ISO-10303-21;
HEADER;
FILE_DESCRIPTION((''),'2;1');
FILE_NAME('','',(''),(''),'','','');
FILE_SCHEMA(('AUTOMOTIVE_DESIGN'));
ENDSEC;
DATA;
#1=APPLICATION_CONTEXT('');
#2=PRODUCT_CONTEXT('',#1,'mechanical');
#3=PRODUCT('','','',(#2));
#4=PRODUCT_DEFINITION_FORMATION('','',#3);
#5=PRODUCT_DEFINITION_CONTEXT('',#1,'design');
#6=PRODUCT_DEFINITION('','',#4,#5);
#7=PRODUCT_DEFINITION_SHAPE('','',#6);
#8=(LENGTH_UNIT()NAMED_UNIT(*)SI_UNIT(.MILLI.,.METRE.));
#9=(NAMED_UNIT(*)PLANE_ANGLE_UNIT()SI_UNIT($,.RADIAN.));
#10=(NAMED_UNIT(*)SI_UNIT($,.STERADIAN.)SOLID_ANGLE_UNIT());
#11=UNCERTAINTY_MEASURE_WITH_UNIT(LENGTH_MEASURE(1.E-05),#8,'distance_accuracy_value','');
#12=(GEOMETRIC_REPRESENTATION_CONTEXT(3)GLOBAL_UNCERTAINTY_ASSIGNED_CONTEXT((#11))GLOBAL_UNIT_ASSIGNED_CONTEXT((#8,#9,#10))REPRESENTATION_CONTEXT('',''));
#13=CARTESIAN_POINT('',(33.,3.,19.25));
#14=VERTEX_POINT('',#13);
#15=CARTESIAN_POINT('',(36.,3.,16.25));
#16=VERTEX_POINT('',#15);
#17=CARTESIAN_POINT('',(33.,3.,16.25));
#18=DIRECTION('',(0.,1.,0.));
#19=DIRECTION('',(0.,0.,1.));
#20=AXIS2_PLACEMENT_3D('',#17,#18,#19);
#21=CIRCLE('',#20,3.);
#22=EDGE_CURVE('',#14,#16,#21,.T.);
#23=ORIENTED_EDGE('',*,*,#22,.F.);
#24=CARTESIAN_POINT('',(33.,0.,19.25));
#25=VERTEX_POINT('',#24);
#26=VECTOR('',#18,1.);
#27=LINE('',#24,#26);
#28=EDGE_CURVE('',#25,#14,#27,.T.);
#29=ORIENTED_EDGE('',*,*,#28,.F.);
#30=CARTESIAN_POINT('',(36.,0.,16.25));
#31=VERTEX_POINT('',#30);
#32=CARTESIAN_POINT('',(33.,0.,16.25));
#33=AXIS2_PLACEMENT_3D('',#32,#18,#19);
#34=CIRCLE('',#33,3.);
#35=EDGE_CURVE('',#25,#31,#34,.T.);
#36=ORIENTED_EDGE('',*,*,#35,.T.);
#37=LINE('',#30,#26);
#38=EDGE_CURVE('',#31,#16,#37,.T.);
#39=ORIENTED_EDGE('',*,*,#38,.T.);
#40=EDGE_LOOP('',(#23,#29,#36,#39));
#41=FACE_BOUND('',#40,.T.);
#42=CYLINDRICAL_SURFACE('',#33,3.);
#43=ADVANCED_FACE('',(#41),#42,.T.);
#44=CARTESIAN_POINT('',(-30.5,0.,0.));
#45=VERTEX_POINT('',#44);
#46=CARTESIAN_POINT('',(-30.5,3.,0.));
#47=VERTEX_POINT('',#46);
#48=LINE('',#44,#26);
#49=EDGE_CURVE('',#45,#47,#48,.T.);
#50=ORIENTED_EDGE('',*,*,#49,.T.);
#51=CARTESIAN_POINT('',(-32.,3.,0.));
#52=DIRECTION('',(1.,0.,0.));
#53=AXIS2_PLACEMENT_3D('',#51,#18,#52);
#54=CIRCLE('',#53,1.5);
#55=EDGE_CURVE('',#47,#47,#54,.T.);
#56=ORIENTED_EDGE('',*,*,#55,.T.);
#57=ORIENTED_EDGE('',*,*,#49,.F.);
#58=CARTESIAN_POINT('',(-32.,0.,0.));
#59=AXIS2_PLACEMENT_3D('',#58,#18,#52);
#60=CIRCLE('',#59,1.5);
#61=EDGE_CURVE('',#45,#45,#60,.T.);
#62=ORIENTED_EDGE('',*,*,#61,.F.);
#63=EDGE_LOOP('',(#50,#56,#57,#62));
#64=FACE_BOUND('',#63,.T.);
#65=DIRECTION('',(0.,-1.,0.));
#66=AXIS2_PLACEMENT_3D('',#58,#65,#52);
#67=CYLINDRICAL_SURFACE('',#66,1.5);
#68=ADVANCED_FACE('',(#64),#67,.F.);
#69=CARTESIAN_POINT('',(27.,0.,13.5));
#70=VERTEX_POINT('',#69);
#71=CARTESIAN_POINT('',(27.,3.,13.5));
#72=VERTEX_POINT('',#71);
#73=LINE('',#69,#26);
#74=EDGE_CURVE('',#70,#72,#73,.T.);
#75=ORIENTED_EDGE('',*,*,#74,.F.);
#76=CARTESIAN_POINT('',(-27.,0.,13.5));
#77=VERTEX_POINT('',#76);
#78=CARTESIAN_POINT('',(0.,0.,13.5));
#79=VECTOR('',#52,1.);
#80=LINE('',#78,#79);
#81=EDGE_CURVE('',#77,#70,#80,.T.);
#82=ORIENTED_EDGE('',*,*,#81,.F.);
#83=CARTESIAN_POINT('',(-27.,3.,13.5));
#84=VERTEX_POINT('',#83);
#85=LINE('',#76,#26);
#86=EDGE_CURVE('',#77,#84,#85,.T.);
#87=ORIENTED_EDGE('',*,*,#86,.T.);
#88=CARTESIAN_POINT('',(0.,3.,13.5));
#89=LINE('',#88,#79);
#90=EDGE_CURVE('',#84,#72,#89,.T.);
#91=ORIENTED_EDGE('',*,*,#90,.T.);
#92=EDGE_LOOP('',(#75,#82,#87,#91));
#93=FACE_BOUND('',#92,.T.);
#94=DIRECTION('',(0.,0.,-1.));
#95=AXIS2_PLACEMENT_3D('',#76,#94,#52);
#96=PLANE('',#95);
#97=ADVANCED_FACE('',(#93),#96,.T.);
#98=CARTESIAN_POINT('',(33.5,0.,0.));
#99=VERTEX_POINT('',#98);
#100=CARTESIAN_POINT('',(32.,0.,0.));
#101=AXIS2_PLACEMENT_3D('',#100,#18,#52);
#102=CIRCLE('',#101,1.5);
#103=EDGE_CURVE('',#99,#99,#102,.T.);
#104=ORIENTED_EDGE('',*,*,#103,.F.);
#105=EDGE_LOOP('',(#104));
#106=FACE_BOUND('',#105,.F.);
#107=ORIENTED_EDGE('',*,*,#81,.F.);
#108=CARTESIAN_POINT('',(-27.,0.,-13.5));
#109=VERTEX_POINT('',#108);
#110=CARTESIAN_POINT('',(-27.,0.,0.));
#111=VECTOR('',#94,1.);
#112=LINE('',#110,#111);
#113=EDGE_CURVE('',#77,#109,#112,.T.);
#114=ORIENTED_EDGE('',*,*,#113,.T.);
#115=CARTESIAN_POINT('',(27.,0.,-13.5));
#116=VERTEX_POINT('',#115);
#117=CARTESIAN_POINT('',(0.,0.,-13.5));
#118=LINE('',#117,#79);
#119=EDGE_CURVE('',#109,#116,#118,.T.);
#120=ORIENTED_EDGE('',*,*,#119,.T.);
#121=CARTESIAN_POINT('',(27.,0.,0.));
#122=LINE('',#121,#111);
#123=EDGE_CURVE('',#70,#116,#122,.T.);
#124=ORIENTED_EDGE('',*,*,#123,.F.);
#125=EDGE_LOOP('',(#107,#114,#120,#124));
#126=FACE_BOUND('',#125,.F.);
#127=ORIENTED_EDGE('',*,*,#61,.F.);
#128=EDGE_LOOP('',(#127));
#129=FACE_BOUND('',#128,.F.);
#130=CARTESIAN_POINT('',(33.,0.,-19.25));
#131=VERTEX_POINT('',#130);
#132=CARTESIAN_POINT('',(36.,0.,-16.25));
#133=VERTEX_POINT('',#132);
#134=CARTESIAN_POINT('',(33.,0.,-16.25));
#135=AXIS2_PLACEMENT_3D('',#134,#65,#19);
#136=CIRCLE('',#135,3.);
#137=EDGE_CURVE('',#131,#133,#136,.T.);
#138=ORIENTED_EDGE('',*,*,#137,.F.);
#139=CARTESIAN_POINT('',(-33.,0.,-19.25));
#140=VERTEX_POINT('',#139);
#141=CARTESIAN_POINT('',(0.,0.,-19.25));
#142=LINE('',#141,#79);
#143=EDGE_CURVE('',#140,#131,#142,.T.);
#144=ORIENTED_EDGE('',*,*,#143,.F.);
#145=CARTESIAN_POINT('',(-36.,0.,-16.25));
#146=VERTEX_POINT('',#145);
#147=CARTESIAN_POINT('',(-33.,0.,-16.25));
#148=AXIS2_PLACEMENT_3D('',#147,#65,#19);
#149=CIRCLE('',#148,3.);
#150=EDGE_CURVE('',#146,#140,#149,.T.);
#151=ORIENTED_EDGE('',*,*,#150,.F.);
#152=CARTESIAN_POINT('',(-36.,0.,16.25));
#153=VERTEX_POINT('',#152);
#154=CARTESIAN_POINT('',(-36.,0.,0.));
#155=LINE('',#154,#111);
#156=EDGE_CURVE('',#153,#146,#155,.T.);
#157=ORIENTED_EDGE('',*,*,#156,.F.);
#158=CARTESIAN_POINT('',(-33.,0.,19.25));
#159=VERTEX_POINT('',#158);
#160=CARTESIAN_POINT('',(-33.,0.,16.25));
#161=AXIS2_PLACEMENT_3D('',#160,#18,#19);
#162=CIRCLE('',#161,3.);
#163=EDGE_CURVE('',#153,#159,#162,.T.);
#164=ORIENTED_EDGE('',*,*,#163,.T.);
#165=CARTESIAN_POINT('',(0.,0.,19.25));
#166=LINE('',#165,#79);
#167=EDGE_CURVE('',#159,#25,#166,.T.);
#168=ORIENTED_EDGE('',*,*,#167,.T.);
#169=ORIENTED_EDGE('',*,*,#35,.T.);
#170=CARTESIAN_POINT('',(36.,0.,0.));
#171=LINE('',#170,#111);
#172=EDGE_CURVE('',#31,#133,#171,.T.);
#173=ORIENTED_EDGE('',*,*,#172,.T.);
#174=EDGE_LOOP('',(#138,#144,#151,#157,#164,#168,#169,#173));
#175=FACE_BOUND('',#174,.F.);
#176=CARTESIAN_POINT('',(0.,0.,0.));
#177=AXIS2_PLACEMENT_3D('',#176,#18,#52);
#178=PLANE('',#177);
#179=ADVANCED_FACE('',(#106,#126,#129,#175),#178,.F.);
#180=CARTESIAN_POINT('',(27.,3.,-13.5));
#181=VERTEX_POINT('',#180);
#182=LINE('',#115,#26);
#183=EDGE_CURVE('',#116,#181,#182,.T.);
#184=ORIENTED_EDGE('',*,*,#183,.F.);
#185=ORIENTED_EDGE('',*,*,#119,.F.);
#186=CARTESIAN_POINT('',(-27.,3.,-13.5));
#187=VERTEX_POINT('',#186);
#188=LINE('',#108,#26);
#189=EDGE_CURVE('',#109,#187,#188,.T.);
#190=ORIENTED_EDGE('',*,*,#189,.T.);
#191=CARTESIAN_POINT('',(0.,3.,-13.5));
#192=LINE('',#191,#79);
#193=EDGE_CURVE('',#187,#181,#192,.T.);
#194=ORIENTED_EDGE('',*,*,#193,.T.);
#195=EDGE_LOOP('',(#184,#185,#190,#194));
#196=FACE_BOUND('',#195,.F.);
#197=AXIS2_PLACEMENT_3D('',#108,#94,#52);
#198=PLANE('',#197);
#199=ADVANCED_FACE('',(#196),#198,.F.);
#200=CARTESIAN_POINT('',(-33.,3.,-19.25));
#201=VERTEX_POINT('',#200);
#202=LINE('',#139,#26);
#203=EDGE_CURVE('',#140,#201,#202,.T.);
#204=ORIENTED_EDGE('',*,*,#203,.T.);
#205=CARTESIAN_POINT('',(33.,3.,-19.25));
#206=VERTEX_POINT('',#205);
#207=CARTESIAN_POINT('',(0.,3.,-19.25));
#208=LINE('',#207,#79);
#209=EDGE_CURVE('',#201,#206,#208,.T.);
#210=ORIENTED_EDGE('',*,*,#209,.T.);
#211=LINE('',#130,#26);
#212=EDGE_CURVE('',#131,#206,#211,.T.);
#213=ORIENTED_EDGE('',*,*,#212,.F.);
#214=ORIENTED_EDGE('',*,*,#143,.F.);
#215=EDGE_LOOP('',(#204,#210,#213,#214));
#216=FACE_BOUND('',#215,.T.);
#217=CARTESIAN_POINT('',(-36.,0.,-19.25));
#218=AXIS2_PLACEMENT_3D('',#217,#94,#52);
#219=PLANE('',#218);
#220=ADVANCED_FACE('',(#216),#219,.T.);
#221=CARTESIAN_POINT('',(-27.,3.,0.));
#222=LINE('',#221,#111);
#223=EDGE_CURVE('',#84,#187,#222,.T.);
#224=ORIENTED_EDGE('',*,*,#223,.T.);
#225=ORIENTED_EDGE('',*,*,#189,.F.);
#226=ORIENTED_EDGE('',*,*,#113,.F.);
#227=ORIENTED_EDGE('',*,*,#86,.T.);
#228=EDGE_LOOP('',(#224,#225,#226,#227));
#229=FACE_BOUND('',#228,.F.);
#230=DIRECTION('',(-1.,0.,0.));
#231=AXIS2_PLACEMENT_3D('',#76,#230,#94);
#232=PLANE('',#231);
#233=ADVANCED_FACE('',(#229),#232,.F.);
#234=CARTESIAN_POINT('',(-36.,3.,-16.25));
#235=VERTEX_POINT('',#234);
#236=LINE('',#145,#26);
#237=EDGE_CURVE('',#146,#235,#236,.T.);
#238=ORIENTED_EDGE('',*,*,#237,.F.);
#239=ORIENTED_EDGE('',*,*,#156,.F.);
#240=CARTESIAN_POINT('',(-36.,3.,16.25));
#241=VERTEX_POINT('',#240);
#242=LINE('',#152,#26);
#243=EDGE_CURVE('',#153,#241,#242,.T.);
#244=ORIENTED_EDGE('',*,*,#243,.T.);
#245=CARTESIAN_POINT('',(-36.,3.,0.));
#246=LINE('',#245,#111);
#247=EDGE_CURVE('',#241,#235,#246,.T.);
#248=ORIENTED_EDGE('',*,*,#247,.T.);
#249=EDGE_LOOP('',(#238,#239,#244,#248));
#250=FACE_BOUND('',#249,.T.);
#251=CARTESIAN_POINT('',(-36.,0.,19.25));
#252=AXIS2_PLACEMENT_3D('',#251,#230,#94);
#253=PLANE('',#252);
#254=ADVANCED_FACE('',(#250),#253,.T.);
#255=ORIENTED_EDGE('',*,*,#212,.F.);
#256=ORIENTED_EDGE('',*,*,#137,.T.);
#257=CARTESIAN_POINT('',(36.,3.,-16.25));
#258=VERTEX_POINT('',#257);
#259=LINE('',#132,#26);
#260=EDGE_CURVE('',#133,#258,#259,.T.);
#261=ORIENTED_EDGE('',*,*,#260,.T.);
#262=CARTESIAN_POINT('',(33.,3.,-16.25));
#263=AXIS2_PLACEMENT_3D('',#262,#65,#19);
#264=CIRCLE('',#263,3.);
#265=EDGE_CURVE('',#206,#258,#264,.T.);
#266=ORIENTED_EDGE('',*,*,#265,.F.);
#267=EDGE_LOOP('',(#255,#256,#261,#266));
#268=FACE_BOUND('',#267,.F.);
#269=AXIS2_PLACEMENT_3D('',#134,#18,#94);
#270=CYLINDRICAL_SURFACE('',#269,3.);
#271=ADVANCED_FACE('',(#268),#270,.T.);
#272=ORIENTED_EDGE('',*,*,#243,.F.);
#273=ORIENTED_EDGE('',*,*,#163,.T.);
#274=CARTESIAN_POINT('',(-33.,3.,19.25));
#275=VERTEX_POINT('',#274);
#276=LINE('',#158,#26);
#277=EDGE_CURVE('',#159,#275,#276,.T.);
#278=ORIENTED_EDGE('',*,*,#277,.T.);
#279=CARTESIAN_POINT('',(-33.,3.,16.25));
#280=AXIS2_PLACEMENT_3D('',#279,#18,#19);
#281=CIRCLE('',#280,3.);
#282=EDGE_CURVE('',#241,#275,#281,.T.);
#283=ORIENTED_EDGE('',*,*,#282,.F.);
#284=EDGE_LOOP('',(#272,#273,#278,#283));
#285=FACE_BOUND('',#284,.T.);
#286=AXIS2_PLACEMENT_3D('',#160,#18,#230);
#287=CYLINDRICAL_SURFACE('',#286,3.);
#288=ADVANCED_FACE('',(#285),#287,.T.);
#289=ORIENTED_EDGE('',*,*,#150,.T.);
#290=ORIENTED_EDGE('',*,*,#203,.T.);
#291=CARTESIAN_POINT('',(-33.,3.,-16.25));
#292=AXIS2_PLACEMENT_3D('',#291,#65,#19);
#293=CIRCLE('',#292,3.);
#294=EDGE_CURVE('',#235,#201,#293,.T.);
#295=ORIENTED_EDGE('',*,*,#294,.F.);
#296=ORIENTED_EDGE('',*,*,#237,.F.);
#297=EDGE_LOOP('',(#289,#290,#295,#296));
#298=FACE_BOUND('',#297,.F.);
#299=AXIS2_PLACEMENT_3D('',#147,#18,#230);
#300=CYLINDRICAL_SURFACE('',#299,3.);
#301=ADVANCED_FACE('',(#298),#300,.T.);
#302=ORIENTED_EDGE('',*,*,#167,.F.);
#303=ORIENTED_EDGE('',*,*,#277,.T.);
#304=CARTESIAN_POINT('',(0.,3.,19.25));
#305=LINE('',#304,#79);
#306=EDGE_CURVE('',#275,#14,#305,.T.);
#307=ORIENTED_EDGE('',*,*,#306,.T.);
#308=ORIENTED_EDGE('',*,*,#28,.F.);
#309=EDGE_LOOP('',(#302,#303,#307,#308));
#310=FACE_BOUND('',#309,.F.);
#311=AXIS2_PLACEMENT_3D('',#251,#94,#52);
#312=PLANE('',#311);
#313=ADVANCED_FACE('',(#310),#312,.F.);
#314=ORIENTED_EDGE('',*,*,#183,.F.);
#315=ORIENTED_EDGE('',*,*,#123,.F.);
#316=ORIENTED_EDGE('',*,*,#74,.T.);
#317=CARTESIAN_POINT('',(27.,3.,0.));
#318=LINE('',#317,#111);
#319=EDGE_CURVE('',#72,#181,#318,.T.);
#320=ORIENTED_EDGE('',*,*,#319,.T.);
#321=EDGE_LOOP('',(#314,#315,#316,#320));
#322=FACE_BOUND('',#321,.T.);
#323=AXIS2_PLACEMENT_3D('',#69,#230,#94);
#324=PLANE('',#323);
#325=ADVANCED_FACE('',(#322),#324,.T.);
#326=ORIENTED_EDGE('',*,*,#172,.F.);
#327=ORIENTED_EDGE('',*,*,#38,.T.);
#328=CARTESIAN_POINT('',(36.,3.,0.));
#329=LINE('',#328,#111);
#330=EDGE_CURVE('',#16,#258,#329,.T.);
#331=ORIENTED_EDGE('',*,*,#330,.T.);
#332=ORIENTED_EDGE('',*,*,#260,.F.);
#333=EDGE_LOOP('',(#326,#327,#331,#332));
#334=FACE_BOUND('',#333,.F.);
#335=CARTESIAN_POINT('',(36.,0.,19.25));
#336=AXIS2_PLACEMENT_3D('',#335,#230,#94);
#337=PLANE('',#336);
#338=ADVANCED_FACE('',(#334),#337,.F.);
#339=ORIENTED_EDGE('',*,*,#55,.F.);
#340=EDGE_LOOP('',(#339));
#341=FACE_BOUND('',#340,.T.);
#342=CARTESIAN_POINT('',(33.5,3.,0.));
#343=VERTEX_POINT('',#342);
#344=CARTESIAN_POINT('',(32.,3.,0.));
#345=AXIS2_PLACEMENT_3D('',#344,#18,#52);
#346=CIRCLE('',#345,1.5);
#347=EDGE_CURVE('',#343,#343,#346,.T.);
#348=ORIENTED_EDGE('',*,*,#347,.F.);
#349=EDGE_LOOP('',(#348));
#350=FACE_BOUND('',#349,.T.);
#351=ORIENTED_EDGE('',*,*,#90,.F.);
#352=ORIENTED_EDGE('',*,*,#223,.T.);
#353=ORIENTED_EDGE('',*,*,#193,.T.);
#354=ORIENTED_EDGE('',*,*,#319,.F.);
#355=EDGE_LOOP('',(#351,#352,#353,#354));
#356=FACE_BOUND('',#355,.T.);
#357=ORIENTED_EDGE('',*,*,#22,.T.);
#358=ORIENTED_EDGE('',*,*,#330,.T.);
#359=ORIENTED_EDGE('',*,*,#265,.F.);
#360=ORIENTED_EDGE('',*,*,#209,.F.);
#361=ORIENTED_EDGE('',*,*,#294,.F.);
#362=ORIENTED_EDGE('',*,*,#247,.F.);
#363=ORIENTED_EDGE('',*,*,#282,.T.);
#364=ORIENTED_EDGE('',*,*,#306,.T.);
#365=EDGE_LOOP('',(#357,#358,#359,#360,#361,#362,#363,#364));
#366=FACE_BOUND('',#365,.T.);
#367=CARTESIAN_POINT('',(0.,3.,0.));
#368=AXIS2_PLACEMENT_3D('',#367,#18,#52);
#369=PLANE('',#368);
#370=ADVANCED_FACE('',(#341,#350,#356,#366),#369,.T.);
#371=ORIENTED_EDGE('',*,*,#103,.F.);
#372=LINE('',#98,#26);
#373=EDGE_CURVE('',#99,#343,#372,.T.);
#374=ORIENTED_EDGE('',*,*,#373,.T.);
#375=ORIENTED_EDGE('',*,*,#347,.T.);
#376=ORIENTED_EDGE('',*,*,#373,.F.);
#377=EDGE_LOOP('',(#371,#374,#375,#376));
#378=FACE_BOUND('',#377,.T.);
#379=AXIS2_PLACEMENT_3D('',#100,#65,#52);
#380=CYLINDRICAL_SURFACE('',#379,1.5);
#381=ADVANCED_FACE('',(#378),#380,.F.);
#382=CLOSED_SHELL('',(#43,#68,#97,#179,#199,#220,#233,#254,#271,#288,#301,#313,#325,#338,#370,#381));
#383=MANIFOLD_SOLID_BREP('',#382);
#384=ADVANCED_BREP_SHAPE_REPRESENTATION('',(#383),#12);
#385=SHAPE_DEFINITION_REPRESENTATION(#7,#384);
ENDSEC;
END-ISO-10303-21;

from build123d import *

# Parameters (mm, degrees)
SKETCH1_W           = 72
SKETCH1_H           = 38.5
SKETCH1_R           = 1.5
SKETCH1_W_2         = 54
SKETCH1_H_2         = 27
BOSS_EXTRUDE1_DEPTH = 3
FILLET1_R           = 3


with BuildPart() as part:
    # Sketch1 → Boss-Extrude1 (new body)
    with BuildSketch(Plane(origin=(0, 0, 0), x_dir=(1, 0, 0), z_dir=(0, 1, 0))):
        Rectangle(SKETCH1_W, SKETCH1_H)
        with Locations((-32, 0)):
            Circle(SKETCH1_R, mode=Mode.SUBTRACT)
        with Locations((32, 0)):
            Circle(SKETCH1_R, mode=Mode.SUBTRACT)
        Rectangle(SKETCH1_W_2, SKETCH1_H_2, mode=Mode.SUBTRACT)
    extrude(amount=BOSS_EXTRUDE1_DEPTH)

    # Fillet1
    fillet1_edges = [part.edges().sort_by_distance(p)[0] for p in [
        (-36, 1.5, -19.25),
        (36, 1.5, -19.25),
        (36, 1.5, 19.25),
        (-36, 1.5, 19.25),
    ]]
    fillet(fillet1_edges, radius=FILLET1_R)


solid = part.part
